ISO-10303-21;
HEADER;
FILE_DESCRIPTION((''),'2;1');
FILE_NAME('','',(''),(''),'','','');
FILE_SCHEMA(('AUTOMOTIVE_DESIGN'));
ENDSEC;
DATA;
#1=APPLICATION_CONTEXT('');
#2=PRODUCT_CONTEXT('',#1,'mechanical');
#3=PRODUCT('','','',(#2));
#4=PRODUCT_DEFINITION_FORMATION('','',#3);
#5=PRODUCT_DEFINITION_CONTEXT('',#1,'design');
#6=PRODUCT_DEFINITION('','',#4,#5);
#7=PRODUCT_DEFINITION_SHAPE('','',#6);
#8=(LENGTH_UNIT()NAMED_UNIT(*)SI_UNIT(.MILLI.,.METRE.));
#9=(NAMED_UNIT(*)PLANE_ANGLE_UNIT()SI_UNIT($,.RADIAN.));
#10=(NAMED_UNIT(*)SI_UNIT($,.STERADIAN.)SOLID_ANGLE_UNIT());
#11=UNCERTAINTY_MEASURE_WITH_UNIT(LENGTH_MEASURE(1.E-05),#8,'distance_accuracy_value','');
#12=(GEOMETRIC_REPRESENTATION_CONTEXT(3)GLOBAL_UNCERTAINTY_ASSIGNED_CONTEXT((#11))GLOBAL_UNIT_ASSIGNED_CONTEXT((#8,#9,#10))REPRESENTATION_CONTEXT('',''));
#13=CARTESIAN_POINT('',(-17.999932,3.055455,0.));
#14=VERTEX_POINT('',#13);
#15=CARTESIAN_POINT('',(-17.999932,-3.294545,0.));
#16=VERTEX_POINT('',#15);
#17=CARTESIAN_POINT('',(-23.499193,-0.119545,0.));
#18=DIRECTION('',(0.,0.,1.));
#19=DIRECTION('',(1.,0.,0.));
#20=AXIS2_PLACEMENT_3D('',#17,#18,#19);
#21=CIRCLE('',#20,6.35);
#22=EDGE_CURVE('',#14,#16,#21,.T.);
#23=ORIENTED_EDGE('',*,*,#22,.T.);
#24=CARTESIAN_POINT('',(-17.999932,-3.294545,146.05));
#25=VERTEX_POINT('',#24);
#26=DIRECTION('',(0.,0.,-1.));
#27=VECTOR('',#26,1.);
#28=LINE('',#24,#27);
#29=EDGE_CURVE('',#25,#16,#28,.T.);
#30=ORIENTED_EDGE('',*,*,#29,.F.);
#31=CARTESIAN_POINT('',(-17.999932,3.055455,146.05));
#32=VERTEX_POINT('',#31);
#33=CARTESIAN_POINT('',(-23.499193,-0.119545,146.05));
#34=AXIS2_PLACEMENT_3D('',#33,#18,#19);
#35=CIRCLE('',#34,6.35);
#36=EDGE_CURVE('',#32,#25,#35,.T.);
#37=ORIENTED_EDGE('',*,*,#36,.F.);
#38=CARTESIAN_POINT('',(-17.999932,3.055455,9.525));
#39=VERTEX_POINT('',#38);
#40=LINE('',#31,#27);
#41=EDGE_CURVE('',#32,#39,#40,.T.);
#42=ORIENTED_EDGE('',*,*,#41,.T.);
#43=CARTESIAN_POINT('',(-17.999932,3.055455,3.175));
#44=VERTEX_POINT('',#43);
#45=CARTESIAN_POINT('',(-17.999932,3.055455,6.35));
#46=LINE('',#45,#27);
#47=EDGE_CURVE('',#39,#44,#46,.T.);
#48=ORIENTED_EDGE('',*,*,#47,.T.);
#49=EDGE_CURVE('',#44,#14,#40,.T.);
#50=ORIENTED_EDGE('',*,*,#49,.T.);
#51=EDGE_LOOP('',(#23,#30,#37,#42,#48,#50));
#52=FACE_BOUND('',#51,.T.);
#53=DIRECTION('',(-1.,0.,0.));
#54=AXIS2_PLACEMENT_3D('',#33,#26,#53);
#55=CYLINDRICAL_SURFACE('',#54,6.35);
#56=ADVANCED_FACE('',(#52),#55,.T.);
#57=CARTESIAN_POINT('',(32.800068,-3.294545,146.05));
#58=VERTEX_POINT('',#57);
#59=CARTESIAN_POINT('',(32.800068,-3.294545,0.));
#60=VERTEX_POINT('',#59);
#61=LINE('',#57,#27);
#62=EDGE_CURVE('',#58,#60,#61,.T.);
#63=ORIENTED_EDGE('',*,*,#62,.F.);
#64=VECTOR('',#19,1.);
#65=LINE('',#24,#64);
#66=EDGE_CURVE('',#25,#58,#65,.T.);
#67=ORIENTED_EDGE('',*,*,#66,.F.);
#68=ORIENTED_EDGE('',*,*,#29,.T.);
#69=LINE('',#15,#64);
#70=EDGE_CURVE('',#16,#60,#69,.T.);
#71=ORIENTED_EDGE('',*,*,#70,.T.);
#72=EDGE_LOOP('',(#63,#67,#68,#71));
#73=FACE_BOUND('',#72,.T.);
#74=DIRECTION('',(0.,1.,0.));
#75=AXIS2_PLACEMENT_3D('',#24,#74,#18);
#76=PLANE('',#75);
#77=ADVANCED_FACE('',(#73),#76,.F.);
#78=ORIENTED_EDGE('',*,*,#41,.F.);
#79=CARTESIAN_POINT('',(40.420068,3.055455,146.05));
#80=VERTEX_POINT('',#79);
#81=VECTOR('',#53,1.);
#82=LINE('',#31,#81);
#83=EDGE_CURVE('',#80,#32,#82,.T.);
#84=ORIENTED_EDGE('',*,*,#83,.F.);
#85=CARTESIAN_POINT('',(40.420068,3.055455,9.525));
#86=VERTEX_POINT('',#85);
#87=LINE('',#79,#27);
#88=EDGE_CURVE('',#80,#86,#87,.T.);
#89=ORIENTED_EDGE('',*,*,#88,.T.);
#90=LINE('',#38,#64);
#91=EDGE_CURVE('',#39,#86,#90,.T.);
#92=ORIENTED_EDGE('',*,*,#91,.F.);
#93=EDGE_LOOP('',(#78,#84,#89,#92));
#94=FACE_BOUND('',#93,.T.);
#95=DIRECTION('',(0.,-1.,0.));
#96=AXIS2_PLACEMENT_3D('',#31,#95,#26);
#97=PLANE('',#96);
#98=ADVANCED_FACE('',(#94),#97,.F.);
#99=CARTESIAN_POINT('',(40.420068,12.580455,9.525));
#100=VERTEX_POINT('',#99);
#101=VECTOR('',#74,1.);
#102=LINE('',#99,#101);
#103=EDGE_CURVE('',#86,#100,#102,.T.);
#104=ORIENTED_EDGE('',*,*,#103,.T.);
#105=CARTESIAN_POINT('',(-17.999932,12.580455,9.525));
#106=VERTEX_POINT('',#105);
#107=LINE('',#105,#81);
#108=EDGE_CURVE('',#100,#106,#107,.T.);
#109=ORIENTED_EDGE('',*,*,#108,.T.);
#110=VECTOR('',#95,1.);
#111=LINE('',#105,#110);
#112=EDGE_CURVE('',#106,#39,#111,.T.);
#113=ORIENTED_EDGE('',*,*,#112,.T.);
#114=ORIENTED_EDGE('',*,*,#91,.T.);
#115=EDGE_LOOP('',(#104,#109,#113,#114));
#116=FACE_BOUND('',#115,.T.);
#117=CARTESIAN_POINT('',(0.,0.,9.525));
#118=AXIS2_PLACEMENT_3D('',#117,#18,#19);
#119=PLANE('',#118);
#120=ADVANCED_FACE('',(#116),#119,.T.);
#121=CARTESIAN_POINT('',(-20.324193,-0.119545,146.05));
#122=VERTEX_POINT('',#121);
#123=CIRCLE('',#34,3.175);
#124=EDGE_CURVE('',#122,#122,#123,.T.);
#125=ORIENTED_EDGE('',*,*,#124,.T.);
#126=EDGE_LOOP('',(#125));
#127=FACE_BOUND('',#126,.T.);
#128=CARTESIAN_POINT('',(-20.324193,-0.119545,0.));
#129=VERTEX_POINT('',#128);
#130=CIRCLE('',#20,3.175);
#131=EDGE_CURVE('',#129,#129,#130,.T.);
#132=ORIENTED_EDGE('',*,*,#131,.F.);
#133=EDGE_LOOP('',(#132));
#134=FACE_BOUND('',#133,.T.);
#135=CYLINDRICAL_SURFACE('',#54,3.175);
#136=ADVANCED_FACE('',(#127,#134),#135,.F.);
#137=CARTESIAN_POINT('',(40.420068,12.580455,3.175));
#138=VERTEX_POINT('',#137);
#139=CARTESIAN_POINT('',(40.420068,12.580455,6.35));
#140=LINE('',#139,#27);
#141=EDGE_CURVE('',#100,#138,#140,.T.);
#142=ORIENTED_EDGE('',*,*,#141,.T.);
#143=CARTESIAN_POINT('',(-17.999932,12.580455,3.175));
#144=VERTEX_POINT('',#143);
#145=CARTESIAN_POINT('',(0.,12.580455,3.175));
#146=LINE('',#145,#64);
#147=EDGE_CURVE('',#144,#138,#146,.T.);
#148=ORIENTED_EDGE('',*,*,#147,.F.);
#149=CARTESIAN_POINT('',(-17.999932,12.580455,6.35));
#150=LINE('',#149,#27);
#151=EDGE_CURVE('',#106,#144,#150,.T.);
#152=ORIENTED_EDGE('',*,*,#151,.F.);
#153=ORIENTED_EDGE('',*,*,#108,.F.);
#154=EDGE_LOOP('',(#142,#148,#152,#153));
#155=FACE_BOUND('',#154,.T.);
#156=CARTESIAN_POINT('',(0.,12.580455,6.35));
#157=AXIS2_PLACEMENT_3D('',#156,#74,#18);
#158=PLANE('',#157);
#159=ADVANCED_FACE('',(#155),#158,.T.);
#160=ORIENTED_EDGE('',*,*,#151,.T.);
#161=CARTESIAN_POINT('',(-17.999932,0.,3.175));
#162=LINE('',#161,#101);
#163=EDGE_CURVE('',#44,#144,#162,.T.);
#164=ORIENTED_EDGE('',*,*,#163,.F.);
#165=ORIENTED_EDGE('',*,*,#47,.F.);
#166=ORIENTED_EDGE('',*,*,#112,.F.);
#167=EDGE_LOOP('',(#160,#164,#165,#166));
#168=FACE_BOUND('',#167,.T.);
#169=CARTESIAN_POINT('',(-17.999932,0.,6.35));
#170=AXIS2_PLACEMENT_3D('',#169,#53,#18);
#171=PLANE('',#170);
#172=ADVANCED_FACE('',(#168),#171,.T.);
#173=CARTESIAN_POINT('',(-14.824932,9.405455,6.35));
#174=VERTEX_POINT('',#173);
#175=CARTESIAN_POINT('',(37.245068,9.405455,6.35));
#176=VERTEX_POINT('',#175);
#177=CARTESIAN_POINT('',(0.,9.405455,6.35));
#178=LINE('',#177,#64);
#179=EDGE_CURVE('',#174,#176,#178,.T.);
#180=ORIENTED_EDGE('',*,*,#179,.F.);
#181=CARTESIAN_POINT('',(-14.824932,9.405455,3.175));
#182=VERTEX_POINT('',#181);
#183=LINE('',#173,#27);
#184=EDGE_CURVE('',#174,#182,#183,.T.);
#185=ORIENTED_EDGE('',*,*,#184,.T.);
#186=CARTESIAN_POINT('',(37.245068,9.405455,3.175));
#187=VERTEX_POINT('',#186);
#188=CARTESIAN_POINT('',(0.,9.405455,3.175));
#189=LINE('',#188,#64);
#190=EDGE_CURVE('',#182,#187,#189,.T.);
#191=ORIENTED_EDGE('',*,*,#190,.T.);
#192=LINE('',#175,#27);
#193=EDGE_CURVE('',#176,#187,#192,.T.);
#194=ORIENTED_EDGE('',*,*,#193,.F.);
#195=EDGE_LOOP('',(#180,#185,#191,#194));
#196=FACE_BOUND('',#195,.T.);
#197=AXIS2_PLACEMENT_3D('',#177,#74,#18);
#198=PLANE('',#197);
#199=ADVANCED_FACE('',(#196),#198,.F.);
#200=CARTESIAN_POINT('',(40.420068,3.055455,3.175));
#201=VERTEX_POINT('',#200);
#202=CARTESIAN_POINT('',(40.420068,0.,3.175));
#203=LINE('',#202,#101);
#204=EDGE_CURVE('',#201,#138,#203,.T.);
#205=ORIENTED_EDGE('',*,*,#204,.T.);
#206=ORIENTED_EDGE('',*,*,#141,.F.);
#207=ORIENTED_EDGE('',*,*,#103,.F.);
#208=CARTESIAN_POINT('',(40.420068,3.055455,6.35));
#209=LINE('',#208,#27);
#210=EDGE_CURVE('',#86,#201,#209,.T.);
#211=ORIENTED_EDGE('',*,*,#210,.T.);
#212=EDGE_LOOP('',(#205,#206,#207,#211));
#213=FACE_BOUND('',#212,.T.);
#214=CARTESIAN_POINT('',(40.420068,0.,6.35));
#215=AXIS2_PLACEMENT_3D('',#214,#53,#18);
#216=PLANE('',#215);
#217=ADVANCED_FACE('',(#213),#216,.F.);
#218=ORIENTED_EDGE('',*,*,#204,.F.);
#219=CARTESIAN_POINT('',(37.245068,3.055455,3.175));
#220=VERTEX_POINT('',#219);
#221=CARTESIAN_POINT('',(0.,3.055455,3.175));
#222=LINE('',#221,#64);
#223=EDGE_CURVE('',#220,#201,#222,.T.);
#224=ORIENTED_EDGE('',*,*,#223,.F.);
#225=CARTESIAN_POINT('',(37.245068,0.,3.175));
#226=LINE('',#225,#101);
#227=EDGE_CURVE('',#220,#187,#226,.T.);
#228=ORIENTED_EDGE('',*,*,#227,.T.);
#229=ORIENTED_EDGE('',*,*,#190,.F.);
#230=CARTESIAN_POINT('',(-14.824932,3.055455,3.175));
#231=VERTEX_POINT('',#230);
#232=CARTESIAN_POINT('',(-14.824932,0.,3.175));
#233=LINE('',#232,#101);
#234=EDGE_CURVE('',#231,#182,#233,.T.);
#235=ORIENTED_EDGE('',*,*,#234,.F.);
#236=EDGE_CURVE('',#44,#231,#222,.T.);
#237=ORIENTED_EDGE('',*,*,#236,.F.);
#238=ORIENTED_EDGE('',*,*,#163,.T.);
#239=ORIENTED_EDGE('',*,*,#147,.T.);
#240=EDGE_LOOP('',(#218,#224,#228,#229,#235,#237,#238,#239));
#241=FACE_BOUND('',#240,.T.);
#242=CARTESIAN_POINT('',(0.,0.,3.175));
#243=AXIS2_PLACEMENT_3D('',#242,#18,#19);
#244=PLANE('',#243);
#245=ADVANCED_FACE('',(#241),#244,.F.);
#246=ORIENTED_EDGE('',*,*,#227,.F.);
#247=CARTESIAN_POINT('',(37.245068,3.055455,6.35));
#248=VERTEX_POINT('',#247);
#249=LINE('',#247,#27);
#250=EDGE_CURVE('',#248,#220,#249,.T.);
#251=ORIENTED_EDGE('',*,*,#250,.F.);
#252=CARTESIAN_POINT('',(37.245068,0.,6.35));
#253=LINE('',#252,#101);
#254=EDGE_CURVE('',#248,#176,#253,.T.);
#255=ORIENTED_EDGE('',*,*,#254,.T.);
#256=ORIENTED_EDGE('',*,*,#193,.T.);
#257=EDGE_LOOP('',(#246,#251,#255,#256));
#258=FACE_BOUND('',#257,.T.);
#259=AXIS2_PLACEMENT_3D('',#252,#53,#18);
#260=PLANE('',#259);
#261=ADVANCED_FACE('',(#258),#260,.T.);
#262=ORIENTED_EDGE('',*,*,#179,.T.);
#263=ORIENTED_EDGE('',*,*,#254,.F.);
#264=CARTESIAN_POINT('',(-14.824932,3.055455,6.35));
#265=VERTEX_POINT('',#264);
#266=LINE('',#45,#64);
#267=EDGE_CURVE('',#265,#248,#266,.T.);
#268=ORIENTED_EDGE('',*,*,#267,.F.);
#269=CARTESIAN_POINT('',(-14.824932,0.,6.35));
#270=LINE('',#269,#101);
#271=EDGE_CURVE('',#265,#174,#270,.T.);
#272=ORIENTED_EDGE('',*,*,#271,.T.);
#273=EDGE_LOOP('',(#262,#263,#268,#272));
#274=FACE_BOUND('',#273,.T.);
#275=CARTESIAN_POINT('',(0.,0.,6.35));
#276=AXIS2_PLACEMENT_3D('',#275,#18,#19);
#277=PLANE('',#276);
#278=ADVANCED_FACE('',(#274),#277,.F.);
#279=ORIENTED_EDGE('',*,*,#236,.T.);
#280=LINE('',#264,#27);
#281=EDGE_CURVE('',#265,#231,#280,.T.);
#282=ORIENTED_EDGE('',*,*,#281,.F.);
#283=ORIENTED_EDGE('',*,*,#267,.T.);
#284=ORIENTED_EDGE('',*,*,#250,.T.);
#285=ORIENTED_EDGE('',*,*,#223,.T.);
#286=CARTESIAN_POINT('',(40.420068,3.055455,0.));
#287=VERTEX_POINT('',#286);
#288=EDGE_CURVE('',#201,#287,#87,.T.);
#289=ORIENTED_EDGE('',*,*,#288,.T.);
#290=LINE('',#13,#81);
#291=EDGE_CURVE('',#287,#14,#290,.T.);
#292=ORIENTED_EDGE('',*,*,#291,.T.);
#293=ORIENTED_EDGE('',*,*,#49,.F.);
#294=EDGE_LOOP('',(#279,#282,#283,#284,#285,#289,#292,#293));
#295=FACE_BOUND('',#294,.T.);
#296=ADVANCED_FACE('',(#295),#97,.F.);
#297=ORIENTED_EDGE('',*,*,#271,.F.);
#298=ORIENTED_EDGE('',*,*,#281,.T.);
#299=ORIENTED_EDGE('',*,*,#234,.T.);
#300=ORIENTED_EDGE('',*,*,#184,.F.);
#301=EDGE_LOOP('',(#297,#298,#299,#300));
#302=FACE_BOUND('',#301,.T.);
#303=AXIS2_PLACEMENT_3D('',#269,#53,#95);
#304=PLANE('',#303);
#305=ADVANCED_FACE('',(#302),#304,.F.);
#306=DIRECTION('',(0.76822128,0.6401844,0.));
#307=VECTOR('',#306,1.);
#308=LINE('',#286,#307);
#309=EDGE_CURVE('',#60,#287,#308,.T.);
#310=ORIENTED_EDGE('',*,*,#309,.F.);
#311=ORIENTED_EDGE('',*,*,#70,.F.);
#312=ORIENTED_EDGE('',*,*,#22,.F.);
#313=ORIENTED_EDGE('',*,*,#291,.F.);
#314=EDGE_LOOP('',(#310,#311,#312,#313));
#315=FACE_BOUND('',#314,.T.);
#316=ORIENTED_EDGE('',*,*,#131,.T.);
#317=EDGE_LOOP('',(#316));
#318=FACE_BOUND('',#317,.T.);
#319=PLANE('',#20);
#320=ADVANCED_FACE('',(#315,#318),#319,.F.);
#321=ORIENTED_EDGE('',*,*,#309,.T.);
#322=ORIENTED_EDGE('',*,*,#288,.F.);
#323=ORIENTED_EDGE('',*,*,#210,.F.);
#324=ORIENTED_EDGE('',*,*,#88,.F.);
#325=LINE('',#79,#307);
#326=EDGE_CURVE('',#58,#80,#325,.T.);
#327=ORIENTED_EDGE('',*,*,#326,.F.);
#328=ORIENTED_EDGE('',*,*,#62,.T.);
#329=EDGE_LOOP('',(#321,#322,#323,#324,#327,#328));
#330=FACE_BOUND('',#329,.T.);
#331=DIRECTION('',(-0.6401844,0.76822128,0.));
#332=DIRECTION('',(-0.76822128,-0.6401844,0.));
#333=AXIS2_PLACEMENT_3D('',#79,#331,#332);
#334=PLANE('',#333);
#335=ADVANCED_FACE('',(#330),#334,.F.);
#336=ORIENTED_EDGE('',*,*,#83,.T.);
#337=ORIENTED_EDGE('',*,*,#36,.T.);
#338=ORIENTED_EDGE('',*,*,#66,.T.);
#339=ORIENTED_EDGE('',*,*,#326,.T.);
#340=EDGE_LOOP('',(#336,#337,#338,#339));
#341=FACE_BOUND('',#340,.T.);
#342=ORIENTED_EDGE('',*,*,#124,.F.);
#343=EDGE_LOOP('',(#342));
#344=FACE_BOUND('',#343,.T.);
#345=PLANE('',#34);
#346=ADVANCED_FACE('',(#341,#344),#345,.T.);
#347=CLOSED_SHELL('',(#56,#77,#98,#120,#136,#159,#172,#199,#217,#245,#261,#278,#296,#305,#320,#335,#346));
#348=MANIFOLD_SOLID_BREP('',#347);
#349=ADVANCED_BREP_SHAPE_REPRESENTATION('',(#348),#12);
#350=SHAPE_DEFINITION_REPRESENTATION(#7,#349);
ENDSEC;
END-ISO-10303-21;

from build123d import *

# Parameters (mm, degrees)
SKETCH1_R           = 3.175
BOSS_EXTRUDE1_DEPTH = 146.05
BOSS_EXTRUDE2_DEPTH = 3.175
SKETCH3_W           = 58.42
SKETCH3_H           = 9.525
BOSS_EXTRUDE3_DEPTH = 3.175


with BuildPart() as part:
    # Sketch1 → Boss-Extrude1 (new body)
    with BuildSketch(Plane.XY):
        with BuildLine():
            Line((40.420068278, 3.055455197), (32.800068278, -3.294544803))
            Line((32.800068278, -3.294544803), (-17.999931722, -3.294544803))
            ThreePointArc((-17.999931722, -3.294544803), (-29.849193037, -0.119544803), (-17.999931722, 3.055455197))
            Line((-17.999931722, 3.055455197), (40.420068278, 3.055455197))
        make_face()
        with Locations((-23.499193037, -0.119544803)):
            Circle(SKETCH1_R, mode=Mode.SUBTRACT)
    extrude(amount=BOSS_EXTRUDE1_DEPTH)

    # Sketch2 → Boss-Extrude2 (add)
    with BuildSketch(Plane.XY.offset(3.175)):
        Polygon((-17.999931722, 3.055455197), (-14.824931722, 3.055455197), (-14.824931722, 9.405455197), (37.245068278, 9.405455197), (37.245068278, 3.055455197), (40.420068278, 3.055455197), (40.420068278, 12.580455197), (-17.999931722, 12.580455197), align=None)
    extrude(amount=BOSS_EXTRUDE2_DEPTH)

    # Sketch3 → Boss-Extrude3 (add)
    with BuildSketch(Plane.XY.offset(6.35)):
        with Locations((11.210068278, 7.817955197)):
            Rectangle(SKETCH3_W, SKETCH3_H)
    extrude(amount=BOSS_EXTRUDE3_DEPTH)


solid = part.part
